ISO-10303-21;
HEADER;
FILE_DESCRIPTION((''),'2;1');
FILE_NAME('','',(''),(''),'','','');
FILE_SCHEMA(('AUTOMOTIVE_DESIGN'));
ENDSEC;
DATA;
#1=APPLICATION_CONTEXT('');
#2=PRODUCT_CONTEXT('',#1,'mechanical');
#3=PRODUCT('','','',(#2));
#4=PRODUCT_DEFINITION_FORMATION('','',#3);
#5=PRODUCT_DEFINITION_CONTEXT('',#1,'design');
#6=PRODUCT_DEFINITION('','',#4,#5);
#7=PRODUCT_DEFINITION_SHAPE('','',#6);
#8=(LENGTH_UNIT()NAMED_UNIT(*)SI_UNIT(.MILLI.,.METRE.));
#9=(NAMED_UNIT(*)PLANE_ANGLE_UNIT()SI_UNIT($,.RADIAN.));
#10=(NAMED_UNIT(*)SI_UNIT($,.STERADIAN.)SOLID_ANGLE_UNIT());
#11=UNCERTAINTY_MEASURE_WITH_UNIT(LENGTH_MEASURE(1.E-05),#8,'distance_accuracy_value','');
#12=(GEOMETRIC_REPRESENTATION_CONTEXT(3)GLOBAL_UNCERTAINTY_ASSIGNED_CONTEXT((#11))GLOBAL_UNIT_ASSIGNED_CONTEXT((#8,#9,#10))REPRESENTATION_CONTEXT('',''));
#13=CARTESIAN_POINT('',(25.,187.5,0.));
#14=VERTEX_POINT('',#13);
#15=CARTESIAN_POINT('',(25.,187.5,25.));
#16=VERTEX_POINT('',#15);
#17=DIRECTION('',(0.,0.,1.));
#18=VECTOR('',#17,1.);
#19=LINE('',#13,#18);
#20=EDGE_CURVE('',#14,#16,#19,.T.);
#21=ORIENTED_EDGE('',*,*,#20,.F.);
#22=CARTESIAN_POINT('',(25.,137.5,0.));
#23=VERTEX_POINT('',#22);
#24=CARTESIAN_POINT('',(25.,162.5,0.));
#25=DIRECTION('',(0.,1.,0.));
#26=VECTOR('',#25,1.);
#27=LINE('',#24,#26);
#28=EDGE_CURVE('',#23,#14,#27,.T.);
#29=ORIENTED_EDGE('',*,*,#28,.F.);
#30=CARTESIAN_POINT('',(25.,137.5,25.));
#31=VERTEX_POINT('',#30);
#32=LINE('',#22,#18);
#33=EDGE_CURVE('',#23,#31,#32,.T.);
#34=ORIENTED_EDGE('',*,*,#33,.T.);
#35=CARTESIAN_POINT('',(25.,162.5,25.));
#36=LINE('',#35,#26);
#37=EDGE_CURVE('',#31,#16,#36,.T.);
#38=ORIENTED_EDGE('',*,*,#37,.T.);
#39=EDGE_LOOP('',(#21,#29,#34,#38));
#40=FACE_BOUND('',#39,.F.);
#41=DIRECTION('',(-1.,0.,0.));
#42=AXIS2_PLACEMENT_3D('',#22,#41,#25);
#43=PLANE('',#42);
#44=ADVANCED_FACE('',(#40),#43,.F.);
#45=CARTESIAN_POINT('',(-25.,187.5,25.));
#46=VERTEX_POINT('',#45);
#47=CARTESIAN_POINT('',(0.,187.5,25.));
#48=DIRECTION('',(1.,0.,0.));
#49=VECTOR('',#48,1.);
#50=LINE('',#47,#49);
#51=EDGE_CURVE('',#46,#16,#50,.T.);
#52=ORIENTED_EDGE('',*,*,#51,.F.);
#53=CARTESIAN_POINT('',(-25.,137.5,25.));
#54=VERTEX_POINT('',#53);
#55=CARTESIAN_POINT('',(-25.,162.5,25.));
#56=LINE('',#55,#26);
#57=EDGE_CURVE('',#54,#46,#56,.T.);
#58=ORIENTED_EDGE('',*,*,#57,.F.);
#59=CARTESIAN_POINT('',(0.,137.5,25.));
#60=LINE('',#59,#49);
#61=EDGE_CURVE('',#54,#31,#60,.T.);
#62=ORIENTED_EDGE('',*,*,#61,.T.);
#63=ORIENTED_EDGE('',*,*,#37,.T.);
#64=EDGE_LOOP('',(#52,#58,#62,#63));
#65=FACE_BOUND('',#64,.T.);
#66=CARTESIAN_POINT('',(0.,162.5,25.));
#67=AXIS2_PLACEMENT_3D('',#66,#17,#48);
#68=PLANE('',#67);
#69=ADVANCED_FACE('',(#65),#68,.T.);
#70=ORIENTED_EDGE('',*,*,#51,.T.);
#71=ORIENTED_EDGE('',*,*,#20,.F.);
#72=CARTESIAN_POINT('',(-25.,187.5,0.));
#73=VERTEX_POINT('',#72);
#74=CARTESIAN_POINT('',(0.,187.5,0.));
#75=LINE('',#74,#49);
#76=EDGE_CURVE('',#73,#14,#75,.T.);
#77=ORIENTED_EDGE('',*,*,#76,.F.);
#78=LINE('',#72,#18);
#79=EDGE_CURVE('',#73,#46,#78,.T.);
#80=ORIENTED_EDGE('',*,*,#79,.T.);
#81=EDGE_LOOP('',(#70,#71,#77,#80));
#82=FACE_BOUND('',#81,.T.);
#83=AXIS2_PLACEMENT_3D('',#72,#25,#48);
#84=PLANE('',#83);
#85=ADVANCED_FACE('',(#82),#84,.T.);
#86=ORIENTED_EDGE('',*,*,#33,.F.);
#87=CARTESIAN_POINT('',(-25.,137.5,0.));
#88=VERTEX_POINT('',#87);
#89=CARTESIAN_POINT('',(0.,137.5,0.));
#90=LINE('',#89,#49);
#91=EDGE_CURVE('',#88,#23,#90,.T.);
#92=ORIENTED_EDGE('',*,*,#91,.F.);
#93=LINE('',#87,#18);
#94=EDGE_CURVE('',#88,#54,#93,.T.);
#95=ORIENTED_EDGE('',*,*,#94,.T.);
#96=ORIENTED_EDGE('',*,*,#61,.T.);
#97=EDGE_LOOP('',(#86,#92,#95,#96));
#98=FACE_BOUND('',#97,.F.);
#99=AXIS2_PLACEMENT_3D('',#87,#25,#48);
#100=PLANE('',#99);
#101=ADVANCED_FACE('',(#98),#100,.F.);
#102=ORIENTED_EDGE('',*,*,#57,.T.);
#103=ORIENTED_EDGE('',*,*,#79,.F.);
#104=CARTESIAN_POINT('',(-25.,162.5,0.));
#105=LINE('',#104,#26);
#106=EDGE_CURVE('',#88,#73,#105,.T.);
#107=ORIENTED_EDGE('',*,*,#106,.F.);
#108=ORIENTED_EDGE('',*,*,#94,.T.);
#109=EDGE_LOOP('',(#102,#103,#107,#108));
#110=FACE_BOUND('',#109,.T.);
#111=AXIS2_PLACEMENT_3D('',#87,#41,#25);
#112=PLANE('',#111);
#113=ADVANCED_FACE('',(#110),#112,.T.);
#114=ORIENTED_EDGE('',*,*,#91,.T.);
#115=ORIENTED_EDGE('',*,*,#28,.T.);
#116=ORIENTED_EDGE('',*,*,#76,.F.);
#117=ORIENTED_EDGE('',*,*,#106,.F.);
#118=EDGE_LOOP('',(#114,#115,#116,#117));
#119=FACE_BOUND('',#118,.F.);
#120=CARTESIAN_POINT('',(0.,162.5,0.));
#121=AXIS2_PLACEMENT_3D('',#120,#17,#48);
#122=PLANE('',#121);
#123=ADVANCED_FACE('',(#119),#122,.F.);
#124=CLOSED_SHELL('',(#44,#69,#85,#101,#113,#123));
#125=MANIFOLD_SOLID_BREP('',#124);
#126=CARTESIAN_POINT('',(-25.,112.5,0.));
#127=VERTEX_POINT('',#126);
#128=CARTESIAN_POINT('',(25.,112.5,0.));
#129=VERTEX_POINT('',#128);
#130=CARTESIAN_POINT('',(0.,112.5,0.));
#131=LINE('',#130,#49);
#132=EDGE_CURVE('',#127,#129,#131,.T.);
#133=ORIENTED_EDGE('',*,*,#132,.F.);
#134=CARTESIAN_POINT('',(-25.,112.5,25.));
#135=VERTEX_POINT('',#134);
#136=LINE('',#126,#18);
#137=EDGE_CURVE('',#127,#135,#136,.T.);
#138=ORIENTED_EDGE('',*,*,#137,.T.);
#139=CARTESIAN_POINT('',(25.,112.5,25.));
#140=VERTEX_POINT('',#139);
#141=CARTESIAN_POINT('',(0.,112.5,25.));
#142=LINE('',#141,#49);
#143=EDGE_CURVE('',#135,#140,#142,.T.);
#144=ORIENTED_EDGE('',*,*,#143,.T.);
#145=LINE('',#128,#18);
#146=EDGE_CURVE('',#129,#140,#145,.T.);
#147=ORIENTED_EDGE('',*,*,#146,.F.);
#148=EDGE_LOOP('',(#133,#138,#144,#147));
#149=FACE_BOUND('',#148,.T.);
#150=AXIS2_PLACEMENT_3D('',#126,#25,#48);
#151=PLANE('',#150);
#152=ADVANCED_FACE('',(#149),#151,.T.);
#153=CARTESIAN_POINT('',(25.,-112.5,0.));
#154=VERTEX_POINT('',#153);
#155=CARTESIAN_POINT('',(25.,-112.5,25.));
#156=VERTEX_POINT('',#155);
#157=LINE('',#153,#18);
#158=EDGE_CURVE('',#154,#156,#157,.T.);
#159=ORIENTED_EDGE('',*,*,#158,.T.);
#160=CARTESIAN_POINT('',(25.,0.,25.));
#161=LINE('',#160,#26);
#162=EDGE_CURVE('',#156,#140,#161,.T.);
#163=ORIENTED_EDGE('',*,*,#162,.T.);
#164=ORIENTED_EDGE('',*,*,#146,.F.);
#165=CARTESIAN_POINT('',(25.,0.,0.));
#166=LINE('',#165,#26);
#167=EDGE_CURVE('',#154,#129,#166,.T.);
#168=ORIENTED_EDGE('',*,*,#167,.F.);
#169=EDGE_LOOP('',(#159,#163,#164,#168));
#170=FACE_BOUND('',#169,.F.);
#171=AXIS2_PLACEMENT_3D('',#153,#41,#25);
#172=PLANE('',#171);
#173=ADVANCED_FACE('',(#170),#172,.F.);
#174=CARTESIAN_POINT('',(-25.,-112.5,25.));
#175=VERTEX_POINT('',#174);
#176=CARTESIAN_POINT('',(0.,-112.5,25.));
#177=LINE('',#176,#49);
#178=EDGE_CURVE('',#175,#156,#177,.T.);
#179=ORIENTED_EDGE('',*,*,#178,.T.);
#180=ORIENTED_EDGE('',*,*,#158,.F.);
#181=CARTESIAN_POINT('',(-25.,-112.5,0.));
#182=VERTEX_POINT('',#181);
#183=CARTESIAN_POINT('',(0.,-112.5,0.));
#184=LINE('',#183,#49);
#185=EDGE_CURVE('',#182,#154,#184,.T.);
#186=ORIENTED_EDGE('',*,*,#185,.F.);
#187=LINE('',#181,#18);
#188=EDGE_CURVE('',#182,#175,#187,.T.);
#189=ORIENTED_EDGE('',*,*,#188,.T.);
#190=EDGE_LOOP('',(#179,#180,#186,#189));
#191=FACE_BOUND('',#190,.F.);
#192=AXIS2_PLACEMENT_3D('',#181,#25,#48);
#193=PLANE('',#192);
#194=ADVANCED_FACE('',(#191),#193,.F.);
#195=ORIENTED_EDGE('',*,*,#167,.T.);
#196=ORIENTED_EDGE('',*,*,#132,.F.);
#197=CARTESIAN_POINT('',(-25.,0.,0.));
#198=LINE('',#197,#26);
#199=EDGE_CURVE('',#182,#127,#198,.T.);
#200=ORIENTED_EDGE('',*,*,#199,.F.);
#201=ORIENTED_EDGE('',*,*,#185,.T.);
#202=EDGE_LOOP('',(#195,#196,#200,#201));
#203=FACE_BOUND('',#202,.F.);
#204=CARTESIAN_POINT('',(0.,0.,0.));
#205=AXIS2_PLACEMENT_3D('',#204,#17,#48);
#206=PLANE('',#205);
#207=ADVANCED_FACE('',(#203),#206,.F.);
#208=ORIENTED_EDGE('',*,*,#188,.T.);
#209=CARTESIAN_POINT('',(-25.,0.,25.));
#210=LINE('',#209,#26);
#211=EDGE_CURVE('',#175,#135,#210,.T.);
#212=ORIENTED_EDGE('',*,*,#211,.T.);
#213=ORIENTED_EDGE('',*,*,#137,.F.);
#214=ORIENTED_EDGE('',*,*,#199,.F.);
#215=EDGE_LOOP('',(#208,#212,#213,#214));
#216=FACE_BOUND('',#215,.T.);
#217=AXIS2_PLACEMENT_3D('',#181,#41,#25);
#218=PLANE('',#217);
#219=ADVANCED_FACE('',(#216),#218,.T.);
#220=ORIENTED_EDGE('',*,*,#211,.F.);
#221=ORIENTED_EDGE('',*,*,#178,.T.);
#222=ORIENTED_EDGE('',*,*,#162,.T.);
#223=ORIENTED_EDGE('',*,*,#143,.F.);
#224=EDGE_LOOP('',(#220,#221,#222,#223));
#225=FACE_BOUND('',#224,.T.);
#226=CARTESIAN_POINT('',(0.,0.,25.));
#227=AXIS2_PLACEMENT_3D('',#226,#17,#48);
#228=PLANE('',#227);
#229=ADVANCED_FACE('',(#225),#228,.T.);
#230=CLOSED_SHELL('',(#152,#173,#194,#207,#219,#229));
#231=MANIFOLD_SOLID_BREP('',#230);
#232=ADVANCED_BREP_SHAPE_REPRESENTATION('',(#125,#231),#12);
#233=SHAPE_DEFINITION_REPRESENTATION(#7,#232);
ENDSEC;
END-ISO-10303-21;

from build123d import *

# Parameters (mm, degrees)
F0_W     = 50
F0_H     = 225
F0_H_2   = 50
F1_DEPTH = 25


with BuildPart() as f1:
    # F0 (on Top) → F1 (new body)
    with BuildSketch(Plane.XY):
        Rectangle(F0_W, F0_H)
        with Locations((0, 162.5)):
            Rectangle(F0_W, F0_H_2)
    extrude(amount=F1_DEPTH)


solid = f1.part
